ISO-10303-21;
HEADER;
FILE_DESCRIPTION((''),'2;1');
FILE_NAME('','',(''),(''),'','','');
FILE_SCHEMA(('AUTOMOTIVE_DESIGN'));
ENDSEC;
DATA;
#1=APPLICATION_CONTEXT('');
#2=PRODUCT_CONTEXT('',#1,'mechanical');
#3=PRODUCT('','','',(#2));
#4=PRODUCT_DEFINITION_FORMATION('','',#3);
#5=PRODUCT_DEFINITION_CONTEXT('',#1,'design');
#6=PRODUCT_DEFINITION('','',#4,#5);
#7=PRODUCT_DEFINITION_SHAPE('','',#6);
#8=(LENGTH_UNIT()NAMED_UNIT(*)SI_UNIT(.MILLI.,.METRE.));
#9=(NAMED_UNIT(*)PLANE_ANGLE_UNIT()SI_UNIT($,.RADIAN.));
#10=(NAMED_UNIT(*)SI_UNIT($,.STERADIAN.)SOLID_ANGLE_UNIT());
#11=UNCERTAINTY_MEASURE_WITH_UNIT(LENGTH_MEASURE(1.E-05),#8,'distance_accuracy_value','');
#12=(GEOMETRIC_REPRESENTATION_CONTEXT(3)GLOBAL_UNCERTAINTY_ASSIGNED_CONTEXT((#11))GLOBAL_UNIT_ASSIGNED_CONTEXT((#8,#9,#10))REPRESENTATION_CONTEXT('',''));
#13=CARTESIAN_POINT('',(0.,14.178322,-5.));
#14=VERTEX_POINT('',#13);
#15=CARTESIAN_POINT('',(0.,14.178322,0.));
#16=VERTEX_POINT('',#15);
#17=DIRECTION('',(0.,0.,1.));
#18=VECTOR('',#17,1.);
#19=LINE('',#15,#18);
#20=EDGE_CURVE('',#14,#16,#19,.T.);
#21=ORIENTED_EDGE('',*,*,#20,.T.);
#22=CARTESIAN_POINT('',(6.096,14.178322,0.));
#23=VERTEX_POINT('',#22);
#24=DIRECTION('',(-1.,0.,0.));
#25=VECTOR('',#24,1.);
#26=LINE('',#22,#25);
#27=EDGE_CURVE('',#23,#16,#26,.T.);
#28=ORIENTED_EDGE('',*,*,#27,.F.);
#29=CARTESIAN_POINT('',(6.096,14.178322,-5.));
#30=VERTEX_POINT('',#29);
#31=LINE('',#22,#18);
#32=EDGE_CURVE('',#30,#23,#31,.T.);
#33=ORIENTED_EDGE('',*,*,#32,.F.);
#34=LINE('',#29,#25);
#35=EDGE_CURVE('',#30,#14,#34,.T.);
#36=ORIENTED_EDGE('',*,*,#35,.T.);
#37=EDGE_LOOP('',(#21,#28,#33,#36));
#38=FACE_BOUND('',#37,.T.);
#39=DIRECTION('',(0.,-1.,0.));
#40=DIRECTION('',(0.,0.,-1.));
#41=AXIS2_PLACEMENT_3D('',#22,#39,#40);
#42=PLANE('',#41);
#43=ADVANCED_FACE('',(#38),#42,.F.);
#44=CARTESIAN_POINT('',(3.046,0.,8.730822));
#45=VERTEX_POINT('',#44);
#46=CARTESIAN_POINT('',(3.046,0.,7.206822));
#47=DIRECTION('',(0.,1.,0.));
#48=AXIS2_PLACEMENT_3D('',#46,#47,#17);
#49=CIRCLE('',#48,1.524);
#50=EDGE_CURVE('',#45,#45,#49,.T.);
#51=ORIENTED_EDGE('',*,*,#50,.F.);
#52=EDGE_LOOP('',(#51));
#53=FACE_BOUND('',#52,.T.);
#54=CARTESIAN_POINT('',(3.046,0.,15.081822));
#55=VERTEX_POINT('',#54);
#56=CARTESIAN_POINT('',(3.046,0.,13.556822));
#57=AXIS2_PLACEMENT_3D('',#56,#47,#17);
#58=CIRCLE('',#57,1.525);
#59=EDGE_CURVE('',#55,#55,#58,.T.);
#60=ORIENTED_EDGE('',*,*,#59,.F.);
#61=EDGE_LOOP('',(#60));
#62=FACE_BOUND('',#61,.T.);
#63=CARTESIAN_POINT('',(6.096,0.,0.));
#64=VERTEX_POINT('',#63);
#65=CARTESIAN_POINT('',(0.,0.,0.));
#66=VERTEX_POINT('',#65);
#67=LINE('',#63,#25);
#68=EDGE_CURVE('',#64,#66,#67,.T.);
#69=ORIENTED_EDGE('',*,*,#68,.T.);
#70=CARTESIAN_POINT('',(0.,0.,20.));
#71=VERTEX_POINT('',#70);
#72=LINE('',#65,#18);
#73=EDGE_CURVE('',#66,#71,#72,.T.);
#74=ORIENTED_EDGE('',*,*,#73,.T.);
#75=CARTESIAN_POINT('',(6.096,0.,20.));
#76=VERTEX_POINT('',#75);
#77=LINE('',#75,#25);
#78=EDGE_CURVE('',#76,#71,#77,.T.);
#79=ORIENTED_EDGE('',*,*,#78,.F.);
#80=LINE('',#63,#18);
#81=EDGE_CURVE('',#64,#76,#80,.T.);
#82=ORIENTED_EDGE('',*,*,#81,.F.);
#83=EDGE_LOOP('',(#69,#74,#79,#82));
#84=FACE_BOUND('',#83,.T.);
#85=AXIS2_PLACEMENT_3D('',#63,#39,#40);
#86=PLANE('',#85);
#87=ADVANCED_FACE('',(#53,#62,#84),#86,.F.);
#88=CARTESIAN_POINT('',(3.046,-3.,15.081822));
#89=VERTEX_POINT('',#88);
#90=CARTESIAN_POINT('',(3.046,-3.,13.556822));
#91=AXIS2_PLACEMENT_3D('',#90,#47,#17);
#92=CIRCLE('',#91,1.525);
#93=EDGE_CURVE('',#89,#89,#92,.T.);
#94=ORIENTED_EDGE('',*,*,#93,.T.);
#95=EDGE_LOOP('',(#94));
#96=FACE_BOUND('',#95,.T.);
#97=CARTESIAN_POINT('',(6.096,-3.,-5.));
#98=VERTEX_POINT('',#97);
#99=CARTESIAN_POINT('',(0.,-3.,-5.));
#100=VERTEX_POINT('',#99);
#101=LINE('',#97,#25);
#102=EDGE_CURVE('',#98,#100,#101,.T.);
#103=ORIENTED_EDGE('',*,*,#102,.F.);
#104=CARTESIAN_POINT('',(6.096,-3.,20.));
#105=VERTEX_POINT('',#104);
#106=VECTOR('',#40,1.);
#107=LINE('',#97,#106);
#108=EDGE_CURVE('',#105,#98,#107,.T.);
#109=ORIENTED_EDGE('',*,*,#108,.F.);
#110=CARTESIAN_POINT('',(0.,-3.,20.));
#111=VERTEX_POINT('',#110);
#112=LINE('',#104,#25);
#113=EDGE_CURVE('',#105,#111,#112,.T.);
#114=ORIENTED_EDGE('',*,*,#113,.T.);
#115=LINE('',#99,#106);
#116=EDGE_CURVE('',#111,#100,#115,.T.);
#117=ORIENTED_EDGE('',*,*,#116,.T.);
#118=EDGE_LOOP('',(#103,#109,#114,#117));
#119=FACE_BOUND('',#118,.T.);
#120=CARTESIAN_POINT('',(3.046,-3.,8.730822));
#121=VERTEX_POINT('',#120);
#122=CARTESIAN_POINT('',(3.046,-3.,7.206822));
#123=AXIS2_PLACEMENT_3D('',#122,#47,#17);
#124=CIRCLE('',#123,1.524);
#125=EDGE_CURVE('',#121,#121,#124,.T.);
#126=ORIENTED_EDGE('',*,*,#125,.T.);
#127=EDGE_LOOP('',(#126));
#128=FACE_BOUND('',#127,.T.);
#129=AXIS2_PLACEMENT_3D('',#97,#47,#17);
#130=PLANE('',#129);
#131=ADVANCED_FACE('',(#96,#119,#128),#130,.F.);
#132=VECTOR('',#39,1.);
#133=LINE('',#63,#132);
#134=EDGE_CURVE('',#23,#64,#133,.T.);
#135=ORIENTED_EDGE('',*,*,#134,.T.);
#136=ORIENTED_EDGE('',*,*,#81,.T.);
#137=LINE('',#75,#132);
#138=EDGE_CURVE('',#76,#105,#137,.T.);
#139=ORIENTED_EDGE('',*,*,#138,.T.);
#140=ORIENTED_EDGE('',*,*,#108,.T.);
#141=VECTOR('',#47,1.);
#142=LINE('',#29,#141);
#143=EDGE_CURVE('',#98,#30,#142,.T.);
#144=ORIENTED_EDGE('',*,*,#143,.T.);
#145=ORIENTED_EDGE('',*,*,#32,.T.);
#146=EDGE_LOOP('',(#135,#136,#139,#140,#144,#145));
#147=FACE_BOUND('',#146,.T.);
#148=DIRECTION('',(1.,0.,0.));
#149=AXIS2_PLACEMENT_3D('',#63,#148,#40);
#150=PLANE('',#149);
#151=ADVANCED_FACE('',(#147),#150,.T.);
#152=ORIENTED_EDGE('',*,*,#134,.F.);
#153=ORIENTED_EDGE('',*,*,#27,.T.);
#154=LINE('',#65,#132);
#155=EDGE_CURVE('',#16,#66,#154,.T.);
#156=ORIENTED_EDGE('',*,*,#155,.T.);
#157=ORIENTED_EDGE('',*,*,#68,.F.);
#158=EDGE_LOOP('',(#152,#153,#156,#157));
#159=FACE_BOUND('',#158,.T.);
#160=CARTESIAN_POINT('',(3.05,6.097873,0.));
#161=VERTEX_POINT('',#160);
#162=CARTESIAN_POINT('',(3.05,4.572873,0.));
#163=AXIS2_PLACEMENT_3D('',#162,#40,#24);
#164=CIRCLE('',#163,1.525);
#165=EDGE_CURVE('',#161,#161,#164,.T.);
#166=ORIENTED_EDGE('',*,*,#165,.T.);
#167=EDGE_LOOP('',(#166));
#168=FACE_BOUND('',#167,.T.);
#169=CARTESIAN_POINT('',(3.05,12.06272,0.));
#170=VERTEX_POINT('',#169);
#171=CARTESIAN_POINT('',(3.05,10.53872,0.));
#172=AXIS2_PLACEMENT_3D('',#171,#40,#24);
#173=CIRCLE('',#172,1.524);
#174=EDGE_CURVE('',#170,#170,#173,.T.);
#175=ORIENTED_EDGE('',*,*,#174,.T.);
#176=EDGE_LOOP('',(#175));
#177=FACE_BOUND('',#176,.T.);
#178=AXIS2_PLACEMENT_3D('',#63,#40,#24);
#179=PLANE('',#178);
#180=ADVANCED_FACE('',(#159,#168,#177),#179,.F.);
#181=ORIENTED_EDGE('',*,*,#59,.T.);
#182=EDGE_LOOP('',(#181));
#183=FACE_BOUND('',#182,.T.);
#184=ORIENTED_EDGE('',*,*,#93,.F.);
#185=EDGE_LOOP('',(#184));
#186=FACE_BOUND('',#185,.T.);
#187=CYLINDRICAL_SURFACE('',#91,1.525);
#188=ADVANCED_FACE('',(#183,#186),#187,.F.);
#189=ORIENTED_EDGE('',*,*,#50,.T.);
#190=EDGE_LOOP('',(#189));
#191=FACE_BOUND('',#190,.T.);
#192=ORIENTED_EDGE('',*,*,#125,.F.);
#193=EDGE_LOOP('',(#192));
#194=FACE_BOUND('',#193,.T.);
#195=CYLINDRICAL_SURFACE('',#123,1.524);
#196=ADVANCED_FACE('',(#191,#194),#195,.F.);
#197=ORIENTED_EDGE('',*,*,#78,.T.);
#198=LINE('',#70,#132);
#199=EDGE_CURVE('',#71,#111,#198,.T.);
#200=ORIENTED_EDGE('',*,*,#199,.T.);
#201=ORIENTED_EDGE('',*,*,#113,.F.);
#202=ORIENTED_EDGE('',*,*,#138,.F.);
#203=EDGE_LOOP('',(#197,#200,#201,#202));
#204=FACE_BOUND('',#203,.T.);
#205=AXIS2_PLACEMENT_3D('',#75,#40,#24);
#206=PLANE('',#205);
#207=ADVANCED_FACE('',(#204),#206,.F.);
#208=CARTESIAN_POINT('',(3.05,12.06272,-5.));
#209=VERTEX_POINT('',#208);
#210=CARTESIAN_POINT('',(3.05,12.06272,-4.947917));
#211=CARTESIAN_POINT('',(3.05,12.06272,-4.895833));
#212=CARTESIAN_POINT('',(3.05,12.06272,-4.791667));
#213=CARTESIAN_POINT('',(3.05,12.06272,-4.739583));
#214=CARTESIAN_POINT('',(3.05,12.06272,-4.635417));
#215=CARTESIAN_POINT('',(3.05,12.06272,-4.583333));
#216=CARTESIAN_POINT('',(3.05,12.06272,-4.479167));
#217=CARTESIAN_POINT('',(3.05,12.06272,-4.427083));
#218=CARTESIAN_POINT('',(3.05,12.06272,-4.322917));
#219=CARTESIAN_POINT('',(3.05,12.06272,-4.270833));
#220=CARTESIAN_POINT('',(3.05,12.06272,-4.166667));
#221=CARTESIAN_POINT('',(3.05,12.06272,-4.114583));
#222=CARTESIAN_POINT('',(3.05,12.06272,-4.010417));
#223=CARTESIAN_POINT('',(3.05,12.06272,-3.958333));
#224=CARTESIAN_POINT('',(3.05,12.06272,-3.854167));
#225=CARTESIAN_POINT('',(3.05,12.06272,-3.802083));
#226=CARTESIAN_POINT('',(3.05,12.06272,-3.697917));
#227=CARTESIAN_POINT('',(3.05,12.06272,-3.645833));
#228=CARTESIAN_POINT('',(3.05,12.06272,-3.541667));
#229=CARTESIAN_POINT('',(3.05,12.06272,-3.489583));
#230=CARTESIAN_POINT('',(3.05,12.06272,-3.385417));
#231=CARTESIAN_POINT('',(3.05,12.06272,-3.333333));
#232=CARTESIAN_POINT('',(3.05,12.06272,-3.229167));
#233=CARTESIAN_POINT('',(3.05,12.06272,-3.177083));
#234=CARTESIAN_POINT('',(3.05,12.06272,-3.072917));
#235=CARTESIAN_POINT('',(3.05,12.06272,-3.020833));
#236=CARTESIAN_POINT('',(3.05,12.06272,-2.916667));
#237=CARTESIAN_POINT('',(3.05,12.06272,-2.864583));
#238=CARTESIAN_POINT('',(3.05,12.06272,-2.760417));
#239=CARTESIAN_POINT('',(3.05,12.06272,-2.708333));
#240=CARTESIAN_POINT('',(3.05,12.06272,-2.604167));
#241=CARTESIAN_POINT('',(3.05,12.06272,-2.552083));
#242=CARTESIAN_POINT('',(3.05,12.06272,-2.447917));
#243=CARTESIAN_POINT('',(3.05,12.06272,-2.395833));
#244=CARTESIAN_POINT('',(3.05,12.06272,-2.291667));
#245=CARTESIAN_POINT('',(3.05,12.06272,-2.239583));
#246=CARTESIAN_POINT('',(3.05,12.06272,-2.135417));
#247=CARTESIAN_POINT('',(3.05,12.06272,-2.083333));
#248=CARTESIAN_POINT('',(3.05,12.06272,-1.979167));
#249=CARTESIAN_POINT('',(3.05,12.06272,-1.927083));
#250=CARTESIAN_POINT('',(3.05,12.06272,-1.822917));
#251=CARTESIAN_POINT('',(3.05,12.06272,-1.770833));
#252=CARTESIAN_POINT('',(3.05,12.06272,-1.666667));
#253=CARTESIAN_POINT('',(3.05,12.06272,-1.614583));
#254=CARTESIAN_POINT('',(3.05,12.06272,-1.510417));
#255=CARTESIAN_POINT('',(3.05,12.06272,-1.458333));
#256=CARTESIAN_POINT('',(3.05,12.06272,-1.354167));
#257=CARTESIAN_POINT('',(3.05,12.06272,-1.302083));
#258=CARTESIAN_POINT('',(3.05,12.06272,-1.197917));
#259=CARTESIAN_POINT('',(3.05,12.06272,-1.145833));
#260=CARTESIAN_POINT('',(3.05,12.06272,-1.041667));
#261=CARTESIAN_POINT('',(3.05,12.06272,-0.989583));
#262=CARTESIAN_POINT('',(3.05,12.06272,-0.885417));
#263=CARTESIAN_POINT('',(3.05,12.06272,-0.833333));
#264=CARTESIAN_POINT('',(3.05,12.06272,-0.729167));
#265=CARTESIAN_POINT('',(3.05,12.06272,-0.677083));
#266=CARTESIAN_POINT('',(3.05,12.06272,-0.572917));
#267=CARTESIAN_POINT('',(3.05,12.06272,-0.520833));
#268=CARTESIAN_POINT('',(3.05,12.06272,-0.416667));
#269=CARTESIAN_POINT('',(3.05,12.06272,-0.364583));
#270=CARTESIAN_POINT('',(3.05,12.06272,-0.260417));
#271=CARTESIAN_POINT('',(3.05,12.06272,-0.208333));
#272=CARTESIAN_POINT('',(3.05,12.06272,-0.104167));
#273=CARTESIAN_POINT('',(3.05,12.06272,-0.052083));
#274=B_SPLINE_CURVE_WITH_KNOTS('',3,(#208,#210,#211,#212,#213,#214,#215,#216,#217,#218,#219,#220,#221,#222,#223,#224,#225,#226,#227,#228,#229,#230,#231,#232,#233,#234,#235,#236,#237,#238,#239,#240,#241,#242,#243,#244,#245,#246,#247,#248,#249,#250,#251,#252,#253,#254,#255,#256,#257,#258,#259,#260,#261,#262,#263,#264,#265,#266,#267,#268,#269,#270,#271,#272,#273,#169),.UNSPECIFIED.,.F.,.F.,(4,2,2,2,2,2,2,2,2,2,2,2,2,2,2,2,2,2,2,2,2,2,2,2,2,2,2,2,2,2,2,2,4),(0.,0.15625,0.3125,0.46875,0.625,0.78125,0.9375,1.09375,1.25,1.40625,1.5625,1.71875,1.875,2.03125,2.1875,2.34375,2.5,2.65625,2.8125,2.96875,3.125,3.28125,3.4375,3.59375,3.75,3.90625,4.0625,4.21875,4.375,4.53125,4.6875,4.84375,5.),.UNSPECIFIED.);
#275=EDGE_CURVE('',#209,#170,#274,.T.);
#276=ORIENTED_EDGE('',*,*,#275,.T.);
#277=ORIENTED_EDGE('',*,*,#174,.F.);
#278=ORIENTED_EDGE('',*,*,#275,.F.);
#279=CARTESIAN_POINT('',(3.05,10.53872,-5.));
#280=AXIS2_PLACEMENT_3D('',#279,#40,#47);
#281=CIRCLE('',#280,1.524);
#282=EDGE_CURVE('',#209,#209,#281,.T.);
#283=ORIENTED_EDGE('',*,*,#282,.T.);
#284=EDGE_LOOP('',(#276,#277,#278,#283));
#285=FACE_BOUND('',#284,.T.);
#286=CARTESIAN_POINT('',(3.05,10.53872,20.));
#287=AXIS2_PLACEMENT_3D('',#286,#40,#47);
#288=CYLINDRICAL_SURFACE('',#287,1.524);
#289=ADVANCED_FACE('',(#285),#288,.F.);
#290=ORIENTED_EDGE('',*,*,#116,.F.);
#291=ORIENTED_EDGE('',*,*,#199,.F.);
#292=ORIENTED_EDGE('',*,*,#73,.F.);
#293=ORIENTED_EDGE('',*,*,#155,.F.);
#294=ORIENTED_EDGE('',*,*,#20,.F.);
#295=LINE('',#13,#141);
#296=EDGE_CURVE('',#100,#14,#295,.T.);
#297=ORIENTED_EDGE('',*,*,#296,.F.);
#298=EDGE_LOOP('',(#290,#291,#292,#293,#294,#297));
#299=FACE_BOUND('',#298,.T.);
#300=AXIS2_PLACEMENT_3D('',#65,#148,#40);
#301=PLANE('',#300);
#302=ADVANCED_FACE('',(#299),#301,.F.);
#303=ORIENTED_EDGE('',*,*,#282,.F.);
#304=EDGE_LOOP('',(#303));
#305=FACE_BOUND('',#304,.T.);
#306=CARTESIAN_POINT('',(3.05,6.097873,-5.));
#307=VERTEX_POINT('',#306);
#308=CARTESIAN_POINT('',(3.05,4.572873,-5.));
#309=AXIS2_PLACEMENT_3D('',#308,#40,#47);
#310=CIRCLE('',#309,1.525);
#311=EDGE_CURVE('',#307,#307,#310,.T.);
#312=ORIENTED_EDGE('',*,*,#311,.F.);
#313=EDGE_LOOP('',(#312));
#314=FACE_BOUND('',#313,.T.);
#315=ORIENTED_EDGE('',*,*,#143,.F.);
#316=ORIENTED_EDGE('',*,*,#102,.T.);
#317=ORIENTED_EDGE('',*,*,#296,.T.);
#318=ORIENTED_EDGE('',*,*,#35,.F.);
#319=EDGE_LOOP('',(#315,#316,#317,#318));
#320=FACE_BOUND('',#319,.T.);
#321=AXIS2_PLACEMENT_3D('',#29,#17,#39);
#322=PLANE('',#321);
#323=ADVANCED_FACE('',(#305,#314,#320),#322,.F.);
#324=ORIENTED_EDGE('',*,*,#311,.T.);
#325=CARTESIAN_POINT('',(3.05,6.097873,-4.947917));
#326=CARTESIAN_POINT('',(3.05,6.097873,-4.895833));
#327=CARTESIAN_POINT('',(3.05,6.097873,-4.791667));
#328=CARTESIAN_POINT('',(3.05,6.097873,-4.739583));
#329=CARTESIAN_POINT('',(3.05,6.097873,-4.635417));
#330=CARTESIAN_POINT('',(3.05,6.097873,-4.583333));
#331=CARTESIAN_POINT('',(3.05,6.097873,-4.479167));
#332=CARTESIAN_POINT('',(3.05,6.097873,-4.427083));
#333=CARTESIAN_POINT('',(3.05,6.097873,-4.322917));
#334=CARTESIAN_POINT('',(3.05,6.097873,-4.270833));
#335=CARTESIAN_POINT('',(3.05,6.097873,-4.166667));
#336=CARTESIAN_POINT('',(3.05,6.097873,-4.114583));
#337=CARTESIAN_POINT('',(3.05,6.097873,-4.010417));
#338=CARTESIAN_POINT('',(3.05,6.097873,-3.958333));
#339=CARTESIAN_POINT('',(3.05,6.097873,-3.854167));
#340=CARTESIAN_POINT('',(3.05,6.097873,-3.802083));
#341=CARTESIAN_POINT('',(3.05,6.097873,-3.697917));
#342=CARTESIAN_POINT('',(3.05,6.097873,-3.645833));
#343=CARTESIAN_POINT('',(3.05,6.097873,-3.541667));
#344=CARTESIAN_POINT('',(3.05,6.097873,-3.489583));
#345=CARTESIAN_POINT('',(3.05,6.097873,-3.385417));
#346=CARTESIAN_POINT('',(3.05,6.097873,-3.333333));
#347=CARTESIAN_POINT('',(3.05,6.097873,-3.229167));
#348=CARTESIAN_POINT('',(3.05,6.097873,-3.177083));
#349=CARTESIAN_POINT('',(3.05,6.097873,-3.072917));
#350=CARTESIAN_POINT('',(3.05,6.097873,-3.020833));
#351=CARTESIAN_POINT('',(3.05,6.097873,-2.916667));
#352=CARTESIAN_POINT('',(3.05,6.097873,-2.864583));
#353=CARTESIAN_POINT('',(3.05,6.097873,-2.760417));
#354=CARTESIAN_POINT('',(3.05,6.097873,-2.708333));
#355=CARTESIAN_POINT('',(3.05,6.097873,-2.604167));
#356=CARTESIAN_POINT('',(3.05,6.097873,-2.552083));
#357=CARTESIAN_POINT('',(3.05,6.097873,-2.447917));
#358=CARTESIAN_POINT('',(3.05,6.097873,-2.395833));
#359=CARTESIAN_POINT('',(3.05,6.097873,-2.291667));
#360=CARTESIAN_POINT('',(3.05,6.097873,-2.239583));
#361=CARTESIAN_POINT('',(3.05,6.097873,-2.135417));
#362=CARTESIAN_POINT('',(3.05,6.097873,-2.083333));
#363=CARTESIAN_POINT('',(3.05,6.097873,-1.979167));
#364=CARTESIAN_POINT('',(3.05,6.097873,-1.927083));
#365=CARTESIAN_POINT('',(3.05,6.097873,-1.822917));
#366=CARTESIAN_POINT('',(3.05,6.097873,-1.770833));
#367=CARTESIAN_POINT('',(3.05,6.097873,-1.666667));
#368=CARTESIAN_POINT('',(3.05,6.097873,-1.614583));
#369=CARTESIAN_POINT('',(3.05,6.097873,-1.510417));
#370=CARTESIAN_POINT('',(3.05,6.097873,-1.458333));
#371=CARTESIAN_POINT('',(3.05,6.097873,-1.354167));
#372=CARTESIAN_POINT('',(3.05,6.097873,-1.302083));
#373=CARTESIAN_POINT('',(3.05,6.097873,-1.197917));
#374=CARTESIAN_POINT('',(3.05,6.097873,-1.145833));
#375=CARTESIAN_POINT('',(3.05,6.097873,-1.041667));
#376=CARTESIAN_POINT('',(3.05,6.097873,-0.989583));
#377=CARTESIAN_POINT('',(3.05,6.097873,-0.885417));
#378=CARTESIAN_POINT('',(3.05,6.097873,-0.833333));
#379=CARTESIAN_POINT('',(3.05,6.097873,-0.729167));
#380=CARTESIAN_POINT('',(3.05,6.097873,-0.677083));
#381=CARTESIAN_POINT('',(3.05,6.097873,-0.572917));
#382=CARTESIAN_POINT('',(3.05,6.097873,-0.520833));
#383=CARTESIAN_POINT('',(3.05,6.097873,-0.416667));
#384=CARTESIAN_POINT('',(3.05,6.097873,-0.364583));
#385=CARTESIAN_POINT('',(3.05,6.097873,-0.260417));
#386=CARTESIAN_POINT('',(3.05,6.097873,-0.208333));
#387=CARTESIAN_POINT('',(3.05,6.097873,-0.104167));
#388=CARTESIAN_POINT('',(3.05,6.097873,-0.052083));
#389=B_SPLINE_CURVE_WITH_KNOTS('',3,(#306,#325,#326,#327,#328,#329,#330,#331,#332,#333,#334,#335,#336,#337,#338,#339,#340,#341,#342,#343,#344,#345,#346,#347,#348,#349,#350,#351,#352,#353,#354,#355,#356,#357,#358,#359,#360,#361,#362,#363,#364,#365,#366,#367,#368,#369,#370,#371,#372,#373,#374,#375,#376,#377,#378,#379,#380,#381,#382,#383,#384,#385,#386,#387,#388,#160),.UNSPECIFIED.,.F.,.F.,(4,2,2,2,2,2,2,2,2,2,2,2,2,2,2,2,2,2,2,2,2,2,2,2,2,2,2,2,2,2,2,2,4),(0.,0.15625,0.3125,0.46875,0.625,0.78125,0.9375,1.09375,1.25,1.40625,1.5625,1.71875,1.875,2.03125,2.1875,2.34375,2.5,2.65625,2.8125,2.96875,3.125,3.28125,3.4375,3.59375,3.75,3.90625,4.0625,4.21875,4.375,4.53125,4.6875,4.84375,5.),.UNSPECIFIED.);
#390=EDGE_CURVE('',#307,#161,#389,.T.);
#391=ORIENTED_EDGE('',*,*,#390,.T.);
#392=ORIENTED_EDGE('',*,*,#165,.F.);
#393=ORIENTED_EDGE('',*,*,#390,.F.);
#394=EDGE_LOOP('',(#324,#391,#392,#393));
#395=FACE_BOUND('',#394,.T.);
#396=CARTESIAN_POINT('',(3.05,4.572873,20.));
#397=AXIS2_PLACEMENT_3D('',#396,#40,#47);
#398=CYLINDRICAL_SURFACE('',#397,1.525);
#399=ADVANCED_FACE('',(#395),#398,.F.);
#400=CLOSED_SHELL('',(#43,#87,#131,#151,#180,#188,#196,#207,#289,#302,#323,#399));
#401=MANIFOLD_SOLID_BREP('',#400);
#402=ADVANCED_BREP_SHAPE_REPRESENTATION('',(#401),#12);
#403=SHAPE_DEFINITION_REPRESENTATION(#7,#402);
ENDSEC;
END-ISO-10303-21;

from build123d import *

# Parameters (mm, degrees)
BOSS_EXTRUDE2_DEPTH = 6.096
SKETCH3_R           = 1.524
SKETCH3_R_2         = 1.525
CUT_EXTRUDE1_DEPTH  = 30.380027597
SKETCH4_R           = 1.524
SKETCH4_R_2         = 1.525
CUT_EXTRUDE3_DEPTH  = 26.262343945


with BuildPart() as part:
    # Sketch2 → Boss-Extrude2 (new body)
    with BuildSketch(Plane(origin=(0, 0, 0), x_dir=(0, 0, -1), z_dir=(1, 0, 0))):
        Polygon((0, 0), (0, 14.178321678), (5, 14.178321678), (5, -3), (-20, -3), (-20, 0), align=None)
    extrude(amount=BOSS_EXTRUDE2_DEPTH)

    # Sketch3 → Cut-Extrude1 (cut, through all)
    with BuildSketch(Plane(origin=(0, 0, -5), x_dir=(-1, 0, 0), z_dir=(0, 0, -1))):
        with Locations(Location((-3.05, 10.538720291, 0), (0, 0, 90))):
            Circle(SKETCH3_R)
        with Locations(Location((-3.05, 4.572872866, 0), (0, 0, 90))):
            Circle(SKETCH3_R_2)
    extrude(amount=-CUT_EXTRUDE1_DEPTH, mode=Mode.SUBTRACT)

    # Sketch4 → Cut-Extrude3 (cut, through all)
    with BuildSketch(Plane(origin=(0, 0, 0), x_dir=(1, 0, 0), z_dir=(0, 1, 0))):
        with Locations(Location((3.046, -7.206821765, 0), (0, 0, 270))):
            Circle(SKETCH4_R)
        with Locations(Location((3.046, -13.556821765, 0), (0, 0, 270))):
            Circle(SKETCH4_R_2)
    extrude(amount=-CUT_EXTRUDE3_DEPTH, mode=Mode.SUBTRACT)


solid = part.part
